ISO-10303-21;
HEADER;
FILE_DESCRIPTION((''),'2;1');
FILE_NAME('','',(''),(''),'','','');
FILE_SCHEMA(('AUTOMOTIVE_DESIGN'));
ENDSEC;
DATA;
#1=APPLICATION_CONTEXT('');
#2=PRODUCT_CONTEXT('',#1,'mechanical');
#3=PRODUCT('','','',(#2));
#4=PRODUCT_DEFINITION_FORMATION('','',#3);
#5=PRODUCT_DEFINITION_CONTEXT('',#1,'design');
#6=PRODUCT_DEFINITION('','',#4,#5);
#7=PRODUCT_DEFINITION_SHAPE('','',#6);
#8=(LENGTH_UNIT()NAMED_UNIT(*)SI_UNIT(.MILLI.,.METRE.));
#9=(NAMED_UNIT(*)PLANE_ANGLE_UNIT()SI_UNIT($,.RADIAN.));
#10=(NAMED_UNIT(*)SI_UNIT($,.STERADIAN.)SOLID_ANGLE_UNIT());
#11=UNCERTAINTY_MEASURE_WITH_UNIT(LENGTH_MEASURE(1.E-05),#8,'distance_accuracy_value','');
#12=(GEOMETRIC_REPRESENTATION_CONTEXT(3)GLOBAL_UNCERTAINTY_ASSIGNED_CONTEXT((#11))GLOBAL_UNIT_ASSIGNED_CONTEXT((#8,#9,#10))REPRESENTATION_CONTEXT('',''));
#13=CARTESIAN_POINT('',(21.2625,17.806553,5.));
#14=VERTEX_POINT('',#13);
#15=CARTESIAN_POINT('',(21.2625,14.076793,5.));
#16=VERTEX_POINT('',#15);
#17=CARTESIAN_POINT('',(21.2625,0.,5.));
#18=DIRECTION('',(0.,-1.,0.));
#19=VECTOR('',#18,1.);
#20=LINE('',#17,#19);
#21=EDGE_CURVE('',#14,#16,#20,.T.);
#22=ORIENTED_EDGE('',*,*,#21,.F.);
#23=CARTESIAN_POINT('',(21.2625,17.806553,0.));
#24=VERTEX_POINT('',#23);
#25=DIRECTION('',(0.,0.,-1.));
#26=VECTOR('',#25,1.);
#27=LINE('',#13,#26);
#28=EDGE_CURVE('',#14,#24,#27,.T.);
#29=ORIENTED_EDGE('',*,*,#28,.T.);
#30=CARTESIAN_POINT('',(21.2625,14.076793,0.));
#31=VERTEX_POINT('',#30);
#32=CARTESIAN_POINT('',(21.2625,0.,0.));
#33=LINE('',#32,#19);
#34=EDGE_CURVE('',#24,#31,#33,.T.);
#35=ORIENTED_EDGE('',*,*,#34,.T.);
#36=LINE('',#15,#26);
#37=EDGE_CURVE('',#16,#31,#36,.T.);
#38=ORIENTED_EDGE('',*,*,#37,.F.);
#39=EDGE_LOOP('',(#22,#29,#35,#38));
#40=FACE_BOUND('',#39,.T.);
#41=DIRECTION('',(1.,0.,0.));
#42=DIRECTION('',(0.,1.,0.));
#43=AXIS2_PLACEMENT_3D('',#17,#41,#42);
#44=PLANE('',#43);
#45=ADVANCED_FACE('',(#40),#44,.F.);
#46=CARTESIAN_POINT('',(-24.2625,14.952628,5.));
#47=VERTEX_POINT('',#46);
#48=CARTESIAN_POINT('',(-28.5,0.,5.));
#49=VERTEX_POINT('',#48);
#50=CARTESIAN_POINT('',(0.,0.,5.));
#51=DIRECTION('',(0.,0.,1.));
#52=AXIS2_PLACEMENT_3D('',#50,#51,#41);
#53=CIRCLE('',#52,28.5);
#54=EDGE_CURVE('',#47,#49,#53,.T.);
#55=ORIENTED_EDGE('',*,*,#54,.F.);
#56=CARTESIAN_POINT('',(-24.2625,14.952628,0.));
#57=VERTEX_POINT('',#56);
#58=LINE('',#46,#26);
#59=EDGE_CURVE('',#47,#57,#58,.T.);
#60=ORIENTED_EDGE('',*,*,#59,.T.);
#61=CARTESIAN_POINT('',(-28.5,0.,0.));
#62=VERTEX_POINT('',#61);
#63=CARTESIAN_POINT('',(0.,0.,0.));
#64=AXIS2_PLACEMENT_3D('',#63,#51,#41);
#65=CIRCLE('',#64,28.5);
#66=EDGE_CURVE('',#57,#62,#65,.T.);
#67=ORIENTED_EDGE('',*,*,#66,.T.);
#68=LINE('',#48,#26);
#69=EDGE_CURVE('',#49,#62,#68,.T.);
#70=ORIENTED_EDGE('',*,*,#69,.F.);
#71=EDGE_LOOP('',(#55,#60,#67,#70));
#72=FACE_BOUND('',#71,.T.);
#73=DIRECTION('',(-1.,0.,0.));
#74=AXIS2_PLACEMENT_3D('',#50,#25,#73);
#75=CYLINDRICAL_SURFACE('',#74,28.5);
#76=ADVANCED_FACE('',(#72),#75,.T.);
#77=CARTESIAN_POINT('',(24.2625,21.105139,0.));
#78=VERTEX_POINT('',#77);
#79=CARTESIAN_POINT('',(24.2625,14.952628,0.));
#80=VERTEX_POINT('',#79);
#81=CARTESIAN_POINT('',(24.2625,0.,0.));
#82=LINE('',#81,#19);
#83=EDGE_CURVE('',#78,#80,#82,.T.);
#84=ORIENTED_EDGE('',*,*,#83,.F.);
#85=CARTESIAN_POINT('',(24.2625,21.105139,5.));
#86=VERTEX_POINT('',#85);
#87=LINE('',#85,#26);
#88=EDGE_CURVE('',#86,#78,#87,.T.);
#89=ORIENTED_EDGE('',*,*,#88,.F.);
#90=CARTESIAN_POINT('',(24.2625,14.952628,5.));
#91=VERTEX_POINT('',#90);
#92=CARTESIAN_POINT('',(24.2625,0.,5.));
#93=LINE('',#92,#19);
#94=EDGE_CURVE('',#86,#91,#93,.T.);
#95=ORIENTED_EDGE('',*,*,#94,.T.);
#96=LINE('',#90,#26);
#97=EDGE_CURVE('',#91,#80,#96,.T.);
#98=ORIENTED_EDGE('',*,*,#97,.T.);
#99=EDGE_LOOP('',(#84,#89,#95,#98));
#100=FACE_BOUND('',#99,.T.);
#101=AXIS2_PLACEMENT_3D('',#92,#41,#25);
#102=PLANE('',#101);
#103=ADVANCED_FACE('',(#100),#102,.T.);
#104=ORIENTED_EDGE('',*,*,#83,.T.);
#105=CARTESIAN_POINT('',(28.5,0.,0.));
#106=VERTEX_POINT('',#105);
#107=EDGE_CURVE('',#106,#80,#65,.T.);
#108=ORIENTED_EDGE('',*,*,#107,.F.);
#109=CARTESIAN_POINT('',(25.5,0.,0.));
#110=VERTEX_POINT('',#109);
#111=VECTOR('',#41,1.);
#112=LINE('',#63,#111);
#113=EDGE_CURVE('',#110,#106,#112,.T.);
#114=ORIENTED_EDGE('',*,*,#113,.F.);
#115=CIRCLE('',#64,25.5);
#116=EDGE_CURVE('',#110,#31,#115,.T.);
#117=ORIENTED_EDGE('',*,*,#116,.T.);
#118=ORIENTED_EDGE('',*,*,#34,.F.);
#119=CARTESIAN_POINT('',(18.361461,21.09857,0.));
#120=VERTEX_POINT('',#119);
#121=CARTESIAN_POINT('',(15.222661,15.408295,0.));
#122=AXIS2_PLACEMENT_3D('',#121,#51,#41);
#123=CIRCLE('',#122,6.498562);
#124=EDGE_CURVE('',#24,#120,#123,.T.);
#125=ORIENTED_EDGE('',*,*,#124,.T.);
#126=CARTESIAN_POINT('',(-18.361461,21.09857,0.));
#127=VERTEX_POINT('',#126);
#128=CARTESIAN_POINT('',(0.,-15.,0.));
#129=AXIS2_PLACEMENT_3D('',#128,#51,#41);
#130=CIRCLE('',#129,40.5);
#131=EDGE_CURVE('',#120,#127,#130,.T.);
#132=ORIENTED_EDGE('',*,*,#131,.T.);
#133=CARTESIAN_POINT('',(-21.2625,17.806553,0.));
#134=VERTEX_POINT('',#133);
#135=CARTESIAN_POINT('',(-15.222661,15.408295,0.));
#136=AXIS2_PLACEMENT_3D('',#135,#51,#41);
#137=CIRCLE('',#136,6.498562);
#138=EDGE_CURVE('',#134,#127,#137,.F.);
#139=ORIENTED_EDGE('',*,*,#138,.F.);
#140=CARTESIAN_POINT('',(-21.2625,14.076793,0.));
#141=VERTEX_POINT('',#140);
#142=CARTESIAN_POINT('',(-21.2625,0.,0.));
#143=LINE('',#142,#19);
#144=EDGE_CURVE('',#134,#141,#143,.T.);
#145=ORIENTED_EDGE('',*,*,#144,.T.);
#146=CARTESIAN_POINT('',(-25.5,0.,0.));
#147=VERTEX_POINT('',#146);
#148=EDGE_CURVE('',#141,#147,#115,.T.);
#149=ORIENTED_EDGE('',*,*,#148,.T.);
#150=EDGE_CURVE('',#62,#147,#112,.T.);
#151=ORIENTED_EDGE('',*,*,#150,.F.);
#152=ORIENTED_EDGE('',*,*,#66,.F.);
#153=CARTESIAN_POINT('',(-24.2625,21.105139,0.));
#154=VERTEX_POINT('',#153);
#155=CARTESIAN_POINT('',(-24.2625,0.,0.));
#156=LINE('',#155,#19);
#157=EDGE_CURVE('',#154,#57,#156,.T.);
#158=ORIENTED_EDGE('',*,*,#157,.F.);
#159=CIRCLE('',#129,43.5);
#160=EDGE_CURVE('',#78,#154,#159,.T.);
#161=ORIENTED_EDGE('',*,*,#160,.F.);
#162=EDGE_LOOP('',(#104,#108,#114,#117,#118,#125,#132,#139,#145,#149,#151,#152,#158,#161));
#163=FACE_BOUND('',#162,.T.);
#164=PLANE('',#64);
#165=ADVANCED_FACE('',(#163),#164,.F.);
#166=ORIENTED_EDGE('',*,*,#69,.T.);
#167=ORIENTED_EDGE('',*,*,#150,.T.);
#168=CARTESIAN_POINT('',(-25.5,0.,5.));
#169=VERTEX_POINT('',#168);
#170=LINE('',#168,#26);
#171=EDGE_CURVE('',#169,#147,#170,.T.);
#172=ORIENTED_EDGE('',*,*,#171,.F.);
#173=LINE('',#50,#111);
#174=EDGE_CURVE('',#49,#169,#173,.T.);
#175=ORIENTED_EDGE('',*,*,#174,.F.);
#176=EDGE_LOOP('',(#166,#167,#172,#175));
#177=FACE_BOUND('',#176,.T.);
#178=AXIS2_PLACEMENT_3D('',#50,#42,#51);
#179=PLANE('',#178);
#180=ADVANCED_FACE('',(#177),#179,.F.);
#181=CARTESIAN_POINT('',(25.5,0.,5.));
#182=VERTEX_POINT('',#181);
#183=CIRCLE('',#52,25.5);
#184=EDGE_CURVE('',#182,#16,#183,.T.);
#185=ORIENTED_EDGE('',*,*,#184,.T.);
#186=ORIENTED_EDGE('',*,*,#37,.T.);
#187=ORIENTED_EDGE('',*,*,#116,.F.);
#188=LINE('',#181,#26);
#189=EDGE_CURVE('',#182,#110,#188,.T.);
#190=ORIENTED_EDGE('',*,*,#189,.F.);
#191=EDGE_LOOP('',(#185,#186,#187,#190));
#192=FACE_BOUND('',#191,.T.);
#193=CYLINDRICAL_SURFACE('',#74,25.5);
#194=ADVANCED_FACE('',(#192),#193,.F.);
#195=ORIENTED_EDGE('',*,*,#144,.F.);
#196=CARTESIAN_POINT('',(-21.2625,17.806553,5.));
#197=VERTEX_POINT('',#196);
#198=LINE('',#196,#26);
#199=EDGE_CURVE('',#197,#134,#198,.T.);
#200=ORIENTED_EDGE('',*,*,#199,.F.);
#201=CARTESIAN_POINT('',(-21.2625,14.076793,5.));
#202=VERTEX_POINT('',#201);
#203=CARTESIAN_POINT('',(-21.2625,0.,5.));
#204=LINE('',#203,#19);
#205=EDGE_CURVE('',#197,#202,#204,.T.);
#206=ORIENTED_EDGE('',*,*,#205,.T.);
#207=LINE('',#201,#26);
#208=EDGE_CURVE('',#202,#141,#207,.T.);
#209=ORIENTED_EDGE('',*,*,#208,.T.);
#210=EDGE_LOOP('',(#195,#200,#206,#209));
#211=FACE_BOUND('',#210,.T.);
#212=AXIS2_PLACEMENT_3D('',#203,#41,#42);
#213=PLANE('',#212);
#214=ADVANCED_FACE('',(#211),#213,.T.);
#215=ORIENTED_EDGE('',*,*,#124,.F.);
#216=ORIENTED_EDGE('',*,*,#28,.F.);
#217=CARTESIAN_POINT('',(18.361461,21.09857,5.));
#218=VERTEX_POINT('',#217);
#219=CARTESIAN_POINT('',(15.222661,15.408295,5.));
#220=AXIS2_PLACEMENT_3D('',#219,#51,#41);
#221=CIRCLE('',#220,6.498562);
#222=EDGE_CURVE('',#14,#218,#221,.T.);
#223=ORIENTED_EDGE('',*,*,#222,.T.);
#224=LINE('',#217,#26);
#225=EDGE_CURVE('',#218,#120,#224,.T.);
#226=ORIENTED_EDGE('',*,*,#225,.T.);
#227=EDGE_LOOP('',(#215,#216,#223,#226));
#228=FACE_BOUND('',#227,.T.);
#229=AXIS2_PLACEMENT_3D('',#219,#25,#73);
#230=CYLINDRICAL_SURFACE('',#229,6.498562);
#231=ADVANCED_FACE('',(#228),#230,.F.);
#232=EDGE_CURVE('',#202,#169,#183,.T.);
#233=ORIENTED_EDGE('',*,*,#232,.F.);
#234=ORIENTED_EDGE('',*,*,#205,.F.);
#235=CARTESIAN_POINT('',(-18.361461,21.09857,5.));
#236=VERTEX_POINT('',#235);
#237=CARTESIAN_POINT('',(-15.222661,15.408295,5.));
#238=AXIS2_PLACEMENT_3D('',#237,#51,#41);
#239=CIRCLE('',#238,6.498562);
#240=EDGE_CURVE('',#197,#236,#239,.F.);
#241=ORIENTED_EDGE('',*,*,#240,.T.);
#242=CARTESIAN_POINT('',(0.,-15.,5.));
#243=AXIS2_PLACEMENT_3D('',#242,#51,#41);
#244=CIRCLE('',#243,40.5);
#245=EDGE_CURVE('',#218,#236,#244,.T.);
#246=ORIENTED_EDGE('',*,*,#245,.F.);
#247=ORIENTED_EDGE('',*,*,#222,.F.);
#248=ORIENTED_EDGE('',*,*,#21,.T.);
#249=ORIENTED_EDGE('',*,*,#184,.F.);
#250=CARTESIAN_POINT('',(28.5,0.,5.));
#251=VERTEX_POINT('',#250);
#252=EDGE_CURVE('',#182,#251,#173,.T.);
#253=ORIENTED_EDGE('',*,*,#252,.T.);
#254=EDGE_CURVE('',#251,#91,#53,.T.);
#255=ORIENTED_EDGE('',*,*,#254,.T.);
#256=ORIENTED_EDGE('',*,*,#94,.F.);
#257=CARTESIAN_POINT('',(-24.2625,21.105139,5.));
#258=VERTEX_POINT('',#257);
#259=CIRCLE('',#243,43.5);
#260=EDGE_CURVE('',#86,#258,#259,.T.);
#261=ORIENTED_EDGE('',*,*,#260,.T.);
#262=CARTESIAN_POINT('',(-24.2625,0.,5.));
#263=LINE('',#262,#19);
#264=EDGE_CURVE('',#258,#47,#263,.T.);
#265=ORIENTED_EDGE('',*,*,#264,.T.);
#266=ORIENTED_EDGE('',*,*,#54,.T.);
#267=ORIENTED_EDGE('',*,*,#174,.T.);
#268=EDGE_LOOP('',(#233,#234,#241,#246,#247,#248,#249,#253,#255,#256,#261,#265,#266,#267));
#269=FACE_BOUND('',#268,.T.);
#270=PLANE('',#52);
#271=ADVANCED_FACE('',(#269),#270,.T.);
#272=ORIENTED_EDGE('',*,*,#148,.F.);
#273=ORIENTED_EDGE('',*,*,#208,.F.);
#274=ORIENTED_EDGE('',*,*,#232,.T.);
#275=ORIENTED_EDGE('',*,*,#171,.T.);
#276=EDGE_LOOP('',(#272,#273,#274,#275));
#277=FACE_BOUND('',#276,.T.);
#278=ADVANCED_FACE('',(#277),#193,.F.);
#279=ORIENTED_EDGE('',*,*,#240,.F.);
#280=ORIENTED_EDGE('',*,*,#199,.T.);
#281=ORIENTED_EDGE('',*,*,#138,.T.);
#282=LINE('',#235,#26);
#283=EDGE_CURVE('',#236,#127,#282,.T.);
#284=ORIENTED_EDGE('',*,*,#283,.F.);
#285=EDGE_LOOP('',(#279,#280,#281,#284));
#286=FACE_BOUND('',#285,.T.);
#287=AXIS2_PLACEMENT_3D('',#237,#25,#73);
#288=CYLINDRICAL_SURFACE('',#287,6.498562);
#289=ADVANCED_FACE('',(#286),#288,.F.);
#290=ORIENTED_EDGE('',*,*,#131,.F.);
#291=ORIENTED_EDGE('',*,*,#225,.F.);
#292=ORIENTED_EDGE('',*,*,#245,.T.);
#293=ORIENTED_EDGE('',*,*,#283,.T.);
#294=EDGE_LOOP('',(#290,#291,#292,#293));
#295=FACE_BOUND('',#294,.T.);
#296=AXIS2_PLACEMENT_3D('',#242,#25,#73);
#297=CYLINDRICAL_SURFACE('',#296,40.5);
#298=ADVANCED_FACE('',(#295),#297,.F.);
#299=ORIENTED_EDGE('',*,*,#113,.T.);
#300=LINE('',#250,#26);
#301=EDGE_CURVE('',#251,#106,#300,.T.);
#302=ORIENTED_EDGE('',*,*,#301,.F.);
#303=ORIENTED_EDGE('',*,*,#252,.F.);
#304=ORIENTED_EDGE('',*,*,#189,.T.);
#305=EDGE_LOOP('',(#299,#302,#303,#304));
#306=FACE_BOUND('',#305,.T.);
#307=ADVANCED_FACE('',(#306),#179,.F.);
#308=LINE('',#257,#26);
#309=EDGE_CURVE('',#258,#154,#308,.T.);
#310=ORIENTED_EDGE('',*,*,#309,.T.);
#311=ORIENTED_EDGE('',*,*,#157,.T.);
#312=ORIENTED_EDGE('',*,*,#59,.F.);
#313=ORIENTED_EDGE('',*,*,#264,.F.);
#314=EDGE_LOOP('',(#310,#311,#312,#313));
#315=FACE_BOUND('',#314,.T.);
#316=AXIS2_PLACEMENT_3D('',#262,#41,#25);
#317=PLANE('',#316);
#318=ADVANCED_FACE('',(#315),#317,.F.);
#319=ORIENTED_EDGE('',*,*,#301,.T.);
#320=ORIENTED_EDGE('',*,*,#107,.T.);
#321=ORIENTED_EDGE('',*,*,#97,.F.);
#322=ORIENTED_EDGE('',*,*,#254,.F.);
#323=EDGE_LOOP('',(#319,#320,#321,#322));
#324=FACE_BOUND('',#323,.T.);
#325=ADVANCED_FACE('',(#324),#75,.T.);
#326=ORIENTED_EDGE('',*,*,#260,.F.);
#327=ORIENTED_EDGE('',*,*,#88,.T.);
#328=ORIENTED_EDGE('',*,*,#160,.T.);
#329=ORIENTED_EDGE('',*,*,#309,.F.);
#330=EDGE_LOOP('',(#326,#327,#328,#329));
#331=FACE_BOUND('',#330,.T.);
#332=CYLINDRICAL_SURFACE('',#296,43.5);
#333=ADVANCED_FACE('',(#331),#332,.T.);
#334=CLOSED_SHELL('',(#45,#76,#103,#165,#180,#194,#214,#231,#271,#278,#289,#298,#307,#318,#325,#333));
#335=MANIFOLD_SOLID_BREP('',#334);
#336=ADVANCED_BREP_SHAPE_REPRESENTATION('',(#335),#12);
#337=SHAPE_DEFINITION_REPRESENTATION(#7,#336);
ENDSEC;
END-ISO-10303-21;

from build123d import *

# Parameters (mm, degrees)
BOSS_EXTRUDE2_DEPTH = 5


with BuildPart() as part:
    # Sketch1 → Boss-Extrude2 (new body)
    with BuildSketch(Plane.XY):
        with BuildLine():
            Line((-28.5, 0), (-25.5, 0))
            ThreePointArc((-25.5, 0), (-24.417654986, 7.350382643), (-21.2625, 14.076792737))
            Line((-21.2625, 14.076792737), (-21.2625, 17.80655265))
            ThreePointArc((-21.2625, 17.80655265), (-20.098232577, 19.704816367), (-18.361461142, 21.098569843))
            ThreePointArc((-18.361461142, 21.098569843), (0, 25.5), (18.361461142, 21.098569843))
            ThreePointArc((18.361461142, 21.098569843), (20.098232577, 19.704816367), (21.2625, 17.80655265))
            Line((21.2625, 17.80655265), (21.2625, 14.076792737))
            ThreePointArc((21.2625, 14.076792737), (24.417654986, 7.350382643), (25.5, 0))
            Line((25.5, 0), (28.5, 0))
            ThreePointArc((28.5, 0), (27.420168216, 7.770738382), (24.2625, 14.952628322))
            Line((24.2625, 14.952628322), (24.2625, 21.105139437))
            ThreePointArc((24.2625, 21.105139437), (0, 28.5), (-24.2625, 21.105139437))
            Line((-24.2625, 21.105139437), (-24.2625, 14.952628322))
            ThreePointArc((-24.2625, 14.952628322), (-27.420168216, 7.770738382), (-28.5, 0))
        make_face()
    extrude(amount=BOSS_EXTRUDE2_DEPTH)


solid = part.part
